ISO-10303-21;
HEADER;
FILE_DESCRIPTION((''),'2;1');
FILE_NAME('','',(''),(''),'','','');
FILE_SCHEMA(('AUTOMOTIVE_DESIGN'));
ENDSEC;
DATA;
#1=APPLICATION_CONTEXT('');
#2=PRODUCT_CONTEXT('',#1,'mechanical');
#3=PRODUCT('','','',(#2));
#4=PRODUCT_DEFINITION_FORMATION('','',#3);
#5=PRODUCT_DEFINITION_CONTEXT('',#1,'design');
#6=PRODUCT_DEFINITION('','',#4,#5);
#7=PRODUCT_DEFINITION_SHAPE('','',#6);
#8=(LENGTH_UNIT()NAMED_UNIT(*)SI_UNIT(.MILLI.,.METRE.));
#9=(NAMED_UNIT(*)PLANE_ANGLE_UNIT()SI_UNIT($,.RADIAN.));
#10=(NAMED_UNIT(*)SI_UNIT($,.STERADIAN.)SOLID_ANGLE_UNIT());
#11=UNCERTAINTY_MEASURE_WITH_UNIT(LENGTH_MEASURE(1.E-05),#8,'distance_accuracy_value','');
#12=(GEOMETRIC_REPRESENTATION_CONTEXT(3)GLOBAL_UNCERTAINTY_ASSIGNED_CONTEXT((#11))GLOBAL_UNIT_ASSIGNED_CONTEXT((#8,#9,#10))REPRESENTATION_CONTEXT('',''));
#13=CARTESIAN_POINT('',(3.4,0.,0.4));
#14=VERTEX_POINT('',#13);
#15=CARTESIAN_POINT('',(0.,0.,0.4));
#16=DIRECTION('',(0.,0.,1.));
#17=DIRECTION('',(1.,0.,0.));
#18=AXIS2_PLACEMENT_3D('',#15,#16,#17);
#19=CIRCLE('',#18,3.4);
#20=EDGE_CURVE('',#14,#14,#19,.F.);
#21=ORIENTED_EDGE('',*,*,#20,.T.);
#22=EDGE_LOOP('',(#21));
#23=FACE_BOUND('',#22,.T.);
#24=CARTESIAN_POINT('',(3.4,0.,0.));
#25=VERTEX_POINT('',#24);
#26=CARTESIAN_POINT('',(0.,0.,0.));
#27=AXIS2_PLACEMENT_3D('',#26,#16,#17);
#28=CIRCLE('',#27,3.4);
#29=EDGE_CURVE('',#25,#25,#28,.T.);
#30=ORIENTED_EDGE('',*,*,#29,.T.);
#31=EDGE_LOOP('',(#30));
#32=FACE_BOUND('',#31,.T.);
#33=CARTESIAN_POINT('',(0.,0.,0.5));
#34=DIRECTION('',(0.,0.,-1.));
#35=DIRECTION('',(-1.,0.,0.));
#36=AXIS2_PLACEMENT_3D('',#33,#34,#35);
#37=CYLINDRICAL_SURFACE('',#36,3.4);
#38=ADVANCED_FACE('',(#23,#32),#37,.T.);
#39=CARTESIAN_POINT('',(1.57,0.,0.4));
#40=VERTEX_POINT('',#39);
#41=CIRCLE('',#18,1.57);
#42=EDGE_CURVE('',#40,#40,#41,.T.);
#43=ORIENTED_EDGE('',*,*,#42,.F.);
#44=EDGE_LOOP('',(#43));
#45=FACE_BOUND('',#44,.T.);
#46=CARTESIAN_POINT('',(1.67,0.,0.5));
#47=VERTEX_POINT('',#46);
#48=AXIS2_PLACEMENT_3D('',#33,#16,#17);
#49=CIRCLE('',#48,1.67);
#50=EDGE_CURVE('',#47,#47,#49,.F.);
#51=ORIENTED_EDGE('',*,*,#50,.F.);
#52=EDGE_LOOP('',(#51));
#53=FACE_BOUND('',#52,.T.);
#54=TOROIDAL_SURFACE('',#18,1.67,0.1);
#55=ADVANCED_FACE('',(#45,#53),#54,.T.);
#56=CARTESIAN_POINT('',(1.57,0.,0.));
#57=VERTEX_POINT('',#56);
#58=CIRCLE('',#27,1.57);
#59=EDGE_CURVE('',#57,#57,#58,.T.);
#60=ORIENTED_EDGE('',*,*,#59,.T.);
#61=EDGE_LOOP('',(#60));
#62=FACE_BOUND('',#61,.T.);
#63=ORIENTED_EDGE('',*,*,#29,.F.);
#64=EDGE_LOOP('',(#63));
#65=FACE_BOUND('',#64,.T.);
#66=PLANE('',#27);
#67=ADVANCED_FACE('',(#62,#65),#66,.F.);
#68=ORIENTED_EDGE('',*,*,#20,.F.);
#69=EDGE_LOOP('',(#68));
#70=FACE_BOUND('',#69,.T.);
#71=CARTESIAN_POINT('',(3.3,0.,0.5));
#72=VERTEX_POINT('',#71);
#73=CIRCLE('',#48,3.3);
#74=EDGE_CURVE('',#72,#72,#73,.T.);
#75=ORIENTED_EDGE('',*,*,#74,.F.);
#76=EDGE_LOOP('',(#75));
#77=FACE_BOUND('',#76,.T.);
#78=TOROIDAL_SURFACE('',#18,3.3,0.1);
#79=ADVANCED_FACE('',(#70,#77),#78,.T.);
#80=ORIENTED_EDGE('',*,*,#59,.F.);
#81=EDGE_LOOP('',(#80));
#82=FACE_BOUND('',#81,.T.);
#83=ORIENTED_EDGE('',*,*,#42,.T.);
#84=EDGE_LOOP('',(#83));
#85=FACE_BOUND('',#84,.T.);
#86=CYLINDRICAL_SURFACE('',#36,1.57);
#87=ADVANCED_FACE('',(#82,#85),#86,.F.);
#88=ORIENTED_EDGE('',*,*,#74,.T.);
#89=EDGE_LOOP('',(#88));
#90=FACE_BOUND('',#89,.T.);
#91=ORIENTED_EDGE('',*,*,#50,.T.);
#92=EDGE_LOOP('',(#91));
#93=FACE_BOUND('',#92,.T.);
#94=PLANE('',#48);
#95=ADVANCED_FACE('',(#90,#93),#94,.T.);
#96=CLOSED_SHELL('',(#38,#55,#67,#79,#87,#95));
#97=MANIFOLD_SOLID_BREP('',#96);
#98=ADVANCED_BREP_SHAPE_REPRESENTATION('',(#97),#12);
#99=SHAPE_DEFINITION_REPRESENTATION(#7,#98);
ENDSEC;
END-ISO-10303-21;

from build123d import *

# Parameters (mm, degrees)
SKETCH1_R           = 3.4
SKETCH1_R_2         = 1.57
BOSS_EXTRUDE1_DEPTH = 0.5
FILLET1_R           = 0.1


with BuildPart() as part:
    # Sketch1 → Boss-Extrude1 (new body)
    with BuildSketch(Plane.XY):
        Circle(SKETCH1_R)
        Circle(SKETCH1_R_2, mode=Mode.SUBTRACT)
    extrude(amount=BOSS_EXTRUDE1_DEPTH)

    # Fillet1
    fillet1_edges = [part.edges().sort_by_distance(p)[0] for p in [
        (-3.4, 0, 0.5),
        (-1.57, 0, 0.5),
    ]]
    fillet(fillet1_edges, radius=FILLET1_R)


solid = part.part
